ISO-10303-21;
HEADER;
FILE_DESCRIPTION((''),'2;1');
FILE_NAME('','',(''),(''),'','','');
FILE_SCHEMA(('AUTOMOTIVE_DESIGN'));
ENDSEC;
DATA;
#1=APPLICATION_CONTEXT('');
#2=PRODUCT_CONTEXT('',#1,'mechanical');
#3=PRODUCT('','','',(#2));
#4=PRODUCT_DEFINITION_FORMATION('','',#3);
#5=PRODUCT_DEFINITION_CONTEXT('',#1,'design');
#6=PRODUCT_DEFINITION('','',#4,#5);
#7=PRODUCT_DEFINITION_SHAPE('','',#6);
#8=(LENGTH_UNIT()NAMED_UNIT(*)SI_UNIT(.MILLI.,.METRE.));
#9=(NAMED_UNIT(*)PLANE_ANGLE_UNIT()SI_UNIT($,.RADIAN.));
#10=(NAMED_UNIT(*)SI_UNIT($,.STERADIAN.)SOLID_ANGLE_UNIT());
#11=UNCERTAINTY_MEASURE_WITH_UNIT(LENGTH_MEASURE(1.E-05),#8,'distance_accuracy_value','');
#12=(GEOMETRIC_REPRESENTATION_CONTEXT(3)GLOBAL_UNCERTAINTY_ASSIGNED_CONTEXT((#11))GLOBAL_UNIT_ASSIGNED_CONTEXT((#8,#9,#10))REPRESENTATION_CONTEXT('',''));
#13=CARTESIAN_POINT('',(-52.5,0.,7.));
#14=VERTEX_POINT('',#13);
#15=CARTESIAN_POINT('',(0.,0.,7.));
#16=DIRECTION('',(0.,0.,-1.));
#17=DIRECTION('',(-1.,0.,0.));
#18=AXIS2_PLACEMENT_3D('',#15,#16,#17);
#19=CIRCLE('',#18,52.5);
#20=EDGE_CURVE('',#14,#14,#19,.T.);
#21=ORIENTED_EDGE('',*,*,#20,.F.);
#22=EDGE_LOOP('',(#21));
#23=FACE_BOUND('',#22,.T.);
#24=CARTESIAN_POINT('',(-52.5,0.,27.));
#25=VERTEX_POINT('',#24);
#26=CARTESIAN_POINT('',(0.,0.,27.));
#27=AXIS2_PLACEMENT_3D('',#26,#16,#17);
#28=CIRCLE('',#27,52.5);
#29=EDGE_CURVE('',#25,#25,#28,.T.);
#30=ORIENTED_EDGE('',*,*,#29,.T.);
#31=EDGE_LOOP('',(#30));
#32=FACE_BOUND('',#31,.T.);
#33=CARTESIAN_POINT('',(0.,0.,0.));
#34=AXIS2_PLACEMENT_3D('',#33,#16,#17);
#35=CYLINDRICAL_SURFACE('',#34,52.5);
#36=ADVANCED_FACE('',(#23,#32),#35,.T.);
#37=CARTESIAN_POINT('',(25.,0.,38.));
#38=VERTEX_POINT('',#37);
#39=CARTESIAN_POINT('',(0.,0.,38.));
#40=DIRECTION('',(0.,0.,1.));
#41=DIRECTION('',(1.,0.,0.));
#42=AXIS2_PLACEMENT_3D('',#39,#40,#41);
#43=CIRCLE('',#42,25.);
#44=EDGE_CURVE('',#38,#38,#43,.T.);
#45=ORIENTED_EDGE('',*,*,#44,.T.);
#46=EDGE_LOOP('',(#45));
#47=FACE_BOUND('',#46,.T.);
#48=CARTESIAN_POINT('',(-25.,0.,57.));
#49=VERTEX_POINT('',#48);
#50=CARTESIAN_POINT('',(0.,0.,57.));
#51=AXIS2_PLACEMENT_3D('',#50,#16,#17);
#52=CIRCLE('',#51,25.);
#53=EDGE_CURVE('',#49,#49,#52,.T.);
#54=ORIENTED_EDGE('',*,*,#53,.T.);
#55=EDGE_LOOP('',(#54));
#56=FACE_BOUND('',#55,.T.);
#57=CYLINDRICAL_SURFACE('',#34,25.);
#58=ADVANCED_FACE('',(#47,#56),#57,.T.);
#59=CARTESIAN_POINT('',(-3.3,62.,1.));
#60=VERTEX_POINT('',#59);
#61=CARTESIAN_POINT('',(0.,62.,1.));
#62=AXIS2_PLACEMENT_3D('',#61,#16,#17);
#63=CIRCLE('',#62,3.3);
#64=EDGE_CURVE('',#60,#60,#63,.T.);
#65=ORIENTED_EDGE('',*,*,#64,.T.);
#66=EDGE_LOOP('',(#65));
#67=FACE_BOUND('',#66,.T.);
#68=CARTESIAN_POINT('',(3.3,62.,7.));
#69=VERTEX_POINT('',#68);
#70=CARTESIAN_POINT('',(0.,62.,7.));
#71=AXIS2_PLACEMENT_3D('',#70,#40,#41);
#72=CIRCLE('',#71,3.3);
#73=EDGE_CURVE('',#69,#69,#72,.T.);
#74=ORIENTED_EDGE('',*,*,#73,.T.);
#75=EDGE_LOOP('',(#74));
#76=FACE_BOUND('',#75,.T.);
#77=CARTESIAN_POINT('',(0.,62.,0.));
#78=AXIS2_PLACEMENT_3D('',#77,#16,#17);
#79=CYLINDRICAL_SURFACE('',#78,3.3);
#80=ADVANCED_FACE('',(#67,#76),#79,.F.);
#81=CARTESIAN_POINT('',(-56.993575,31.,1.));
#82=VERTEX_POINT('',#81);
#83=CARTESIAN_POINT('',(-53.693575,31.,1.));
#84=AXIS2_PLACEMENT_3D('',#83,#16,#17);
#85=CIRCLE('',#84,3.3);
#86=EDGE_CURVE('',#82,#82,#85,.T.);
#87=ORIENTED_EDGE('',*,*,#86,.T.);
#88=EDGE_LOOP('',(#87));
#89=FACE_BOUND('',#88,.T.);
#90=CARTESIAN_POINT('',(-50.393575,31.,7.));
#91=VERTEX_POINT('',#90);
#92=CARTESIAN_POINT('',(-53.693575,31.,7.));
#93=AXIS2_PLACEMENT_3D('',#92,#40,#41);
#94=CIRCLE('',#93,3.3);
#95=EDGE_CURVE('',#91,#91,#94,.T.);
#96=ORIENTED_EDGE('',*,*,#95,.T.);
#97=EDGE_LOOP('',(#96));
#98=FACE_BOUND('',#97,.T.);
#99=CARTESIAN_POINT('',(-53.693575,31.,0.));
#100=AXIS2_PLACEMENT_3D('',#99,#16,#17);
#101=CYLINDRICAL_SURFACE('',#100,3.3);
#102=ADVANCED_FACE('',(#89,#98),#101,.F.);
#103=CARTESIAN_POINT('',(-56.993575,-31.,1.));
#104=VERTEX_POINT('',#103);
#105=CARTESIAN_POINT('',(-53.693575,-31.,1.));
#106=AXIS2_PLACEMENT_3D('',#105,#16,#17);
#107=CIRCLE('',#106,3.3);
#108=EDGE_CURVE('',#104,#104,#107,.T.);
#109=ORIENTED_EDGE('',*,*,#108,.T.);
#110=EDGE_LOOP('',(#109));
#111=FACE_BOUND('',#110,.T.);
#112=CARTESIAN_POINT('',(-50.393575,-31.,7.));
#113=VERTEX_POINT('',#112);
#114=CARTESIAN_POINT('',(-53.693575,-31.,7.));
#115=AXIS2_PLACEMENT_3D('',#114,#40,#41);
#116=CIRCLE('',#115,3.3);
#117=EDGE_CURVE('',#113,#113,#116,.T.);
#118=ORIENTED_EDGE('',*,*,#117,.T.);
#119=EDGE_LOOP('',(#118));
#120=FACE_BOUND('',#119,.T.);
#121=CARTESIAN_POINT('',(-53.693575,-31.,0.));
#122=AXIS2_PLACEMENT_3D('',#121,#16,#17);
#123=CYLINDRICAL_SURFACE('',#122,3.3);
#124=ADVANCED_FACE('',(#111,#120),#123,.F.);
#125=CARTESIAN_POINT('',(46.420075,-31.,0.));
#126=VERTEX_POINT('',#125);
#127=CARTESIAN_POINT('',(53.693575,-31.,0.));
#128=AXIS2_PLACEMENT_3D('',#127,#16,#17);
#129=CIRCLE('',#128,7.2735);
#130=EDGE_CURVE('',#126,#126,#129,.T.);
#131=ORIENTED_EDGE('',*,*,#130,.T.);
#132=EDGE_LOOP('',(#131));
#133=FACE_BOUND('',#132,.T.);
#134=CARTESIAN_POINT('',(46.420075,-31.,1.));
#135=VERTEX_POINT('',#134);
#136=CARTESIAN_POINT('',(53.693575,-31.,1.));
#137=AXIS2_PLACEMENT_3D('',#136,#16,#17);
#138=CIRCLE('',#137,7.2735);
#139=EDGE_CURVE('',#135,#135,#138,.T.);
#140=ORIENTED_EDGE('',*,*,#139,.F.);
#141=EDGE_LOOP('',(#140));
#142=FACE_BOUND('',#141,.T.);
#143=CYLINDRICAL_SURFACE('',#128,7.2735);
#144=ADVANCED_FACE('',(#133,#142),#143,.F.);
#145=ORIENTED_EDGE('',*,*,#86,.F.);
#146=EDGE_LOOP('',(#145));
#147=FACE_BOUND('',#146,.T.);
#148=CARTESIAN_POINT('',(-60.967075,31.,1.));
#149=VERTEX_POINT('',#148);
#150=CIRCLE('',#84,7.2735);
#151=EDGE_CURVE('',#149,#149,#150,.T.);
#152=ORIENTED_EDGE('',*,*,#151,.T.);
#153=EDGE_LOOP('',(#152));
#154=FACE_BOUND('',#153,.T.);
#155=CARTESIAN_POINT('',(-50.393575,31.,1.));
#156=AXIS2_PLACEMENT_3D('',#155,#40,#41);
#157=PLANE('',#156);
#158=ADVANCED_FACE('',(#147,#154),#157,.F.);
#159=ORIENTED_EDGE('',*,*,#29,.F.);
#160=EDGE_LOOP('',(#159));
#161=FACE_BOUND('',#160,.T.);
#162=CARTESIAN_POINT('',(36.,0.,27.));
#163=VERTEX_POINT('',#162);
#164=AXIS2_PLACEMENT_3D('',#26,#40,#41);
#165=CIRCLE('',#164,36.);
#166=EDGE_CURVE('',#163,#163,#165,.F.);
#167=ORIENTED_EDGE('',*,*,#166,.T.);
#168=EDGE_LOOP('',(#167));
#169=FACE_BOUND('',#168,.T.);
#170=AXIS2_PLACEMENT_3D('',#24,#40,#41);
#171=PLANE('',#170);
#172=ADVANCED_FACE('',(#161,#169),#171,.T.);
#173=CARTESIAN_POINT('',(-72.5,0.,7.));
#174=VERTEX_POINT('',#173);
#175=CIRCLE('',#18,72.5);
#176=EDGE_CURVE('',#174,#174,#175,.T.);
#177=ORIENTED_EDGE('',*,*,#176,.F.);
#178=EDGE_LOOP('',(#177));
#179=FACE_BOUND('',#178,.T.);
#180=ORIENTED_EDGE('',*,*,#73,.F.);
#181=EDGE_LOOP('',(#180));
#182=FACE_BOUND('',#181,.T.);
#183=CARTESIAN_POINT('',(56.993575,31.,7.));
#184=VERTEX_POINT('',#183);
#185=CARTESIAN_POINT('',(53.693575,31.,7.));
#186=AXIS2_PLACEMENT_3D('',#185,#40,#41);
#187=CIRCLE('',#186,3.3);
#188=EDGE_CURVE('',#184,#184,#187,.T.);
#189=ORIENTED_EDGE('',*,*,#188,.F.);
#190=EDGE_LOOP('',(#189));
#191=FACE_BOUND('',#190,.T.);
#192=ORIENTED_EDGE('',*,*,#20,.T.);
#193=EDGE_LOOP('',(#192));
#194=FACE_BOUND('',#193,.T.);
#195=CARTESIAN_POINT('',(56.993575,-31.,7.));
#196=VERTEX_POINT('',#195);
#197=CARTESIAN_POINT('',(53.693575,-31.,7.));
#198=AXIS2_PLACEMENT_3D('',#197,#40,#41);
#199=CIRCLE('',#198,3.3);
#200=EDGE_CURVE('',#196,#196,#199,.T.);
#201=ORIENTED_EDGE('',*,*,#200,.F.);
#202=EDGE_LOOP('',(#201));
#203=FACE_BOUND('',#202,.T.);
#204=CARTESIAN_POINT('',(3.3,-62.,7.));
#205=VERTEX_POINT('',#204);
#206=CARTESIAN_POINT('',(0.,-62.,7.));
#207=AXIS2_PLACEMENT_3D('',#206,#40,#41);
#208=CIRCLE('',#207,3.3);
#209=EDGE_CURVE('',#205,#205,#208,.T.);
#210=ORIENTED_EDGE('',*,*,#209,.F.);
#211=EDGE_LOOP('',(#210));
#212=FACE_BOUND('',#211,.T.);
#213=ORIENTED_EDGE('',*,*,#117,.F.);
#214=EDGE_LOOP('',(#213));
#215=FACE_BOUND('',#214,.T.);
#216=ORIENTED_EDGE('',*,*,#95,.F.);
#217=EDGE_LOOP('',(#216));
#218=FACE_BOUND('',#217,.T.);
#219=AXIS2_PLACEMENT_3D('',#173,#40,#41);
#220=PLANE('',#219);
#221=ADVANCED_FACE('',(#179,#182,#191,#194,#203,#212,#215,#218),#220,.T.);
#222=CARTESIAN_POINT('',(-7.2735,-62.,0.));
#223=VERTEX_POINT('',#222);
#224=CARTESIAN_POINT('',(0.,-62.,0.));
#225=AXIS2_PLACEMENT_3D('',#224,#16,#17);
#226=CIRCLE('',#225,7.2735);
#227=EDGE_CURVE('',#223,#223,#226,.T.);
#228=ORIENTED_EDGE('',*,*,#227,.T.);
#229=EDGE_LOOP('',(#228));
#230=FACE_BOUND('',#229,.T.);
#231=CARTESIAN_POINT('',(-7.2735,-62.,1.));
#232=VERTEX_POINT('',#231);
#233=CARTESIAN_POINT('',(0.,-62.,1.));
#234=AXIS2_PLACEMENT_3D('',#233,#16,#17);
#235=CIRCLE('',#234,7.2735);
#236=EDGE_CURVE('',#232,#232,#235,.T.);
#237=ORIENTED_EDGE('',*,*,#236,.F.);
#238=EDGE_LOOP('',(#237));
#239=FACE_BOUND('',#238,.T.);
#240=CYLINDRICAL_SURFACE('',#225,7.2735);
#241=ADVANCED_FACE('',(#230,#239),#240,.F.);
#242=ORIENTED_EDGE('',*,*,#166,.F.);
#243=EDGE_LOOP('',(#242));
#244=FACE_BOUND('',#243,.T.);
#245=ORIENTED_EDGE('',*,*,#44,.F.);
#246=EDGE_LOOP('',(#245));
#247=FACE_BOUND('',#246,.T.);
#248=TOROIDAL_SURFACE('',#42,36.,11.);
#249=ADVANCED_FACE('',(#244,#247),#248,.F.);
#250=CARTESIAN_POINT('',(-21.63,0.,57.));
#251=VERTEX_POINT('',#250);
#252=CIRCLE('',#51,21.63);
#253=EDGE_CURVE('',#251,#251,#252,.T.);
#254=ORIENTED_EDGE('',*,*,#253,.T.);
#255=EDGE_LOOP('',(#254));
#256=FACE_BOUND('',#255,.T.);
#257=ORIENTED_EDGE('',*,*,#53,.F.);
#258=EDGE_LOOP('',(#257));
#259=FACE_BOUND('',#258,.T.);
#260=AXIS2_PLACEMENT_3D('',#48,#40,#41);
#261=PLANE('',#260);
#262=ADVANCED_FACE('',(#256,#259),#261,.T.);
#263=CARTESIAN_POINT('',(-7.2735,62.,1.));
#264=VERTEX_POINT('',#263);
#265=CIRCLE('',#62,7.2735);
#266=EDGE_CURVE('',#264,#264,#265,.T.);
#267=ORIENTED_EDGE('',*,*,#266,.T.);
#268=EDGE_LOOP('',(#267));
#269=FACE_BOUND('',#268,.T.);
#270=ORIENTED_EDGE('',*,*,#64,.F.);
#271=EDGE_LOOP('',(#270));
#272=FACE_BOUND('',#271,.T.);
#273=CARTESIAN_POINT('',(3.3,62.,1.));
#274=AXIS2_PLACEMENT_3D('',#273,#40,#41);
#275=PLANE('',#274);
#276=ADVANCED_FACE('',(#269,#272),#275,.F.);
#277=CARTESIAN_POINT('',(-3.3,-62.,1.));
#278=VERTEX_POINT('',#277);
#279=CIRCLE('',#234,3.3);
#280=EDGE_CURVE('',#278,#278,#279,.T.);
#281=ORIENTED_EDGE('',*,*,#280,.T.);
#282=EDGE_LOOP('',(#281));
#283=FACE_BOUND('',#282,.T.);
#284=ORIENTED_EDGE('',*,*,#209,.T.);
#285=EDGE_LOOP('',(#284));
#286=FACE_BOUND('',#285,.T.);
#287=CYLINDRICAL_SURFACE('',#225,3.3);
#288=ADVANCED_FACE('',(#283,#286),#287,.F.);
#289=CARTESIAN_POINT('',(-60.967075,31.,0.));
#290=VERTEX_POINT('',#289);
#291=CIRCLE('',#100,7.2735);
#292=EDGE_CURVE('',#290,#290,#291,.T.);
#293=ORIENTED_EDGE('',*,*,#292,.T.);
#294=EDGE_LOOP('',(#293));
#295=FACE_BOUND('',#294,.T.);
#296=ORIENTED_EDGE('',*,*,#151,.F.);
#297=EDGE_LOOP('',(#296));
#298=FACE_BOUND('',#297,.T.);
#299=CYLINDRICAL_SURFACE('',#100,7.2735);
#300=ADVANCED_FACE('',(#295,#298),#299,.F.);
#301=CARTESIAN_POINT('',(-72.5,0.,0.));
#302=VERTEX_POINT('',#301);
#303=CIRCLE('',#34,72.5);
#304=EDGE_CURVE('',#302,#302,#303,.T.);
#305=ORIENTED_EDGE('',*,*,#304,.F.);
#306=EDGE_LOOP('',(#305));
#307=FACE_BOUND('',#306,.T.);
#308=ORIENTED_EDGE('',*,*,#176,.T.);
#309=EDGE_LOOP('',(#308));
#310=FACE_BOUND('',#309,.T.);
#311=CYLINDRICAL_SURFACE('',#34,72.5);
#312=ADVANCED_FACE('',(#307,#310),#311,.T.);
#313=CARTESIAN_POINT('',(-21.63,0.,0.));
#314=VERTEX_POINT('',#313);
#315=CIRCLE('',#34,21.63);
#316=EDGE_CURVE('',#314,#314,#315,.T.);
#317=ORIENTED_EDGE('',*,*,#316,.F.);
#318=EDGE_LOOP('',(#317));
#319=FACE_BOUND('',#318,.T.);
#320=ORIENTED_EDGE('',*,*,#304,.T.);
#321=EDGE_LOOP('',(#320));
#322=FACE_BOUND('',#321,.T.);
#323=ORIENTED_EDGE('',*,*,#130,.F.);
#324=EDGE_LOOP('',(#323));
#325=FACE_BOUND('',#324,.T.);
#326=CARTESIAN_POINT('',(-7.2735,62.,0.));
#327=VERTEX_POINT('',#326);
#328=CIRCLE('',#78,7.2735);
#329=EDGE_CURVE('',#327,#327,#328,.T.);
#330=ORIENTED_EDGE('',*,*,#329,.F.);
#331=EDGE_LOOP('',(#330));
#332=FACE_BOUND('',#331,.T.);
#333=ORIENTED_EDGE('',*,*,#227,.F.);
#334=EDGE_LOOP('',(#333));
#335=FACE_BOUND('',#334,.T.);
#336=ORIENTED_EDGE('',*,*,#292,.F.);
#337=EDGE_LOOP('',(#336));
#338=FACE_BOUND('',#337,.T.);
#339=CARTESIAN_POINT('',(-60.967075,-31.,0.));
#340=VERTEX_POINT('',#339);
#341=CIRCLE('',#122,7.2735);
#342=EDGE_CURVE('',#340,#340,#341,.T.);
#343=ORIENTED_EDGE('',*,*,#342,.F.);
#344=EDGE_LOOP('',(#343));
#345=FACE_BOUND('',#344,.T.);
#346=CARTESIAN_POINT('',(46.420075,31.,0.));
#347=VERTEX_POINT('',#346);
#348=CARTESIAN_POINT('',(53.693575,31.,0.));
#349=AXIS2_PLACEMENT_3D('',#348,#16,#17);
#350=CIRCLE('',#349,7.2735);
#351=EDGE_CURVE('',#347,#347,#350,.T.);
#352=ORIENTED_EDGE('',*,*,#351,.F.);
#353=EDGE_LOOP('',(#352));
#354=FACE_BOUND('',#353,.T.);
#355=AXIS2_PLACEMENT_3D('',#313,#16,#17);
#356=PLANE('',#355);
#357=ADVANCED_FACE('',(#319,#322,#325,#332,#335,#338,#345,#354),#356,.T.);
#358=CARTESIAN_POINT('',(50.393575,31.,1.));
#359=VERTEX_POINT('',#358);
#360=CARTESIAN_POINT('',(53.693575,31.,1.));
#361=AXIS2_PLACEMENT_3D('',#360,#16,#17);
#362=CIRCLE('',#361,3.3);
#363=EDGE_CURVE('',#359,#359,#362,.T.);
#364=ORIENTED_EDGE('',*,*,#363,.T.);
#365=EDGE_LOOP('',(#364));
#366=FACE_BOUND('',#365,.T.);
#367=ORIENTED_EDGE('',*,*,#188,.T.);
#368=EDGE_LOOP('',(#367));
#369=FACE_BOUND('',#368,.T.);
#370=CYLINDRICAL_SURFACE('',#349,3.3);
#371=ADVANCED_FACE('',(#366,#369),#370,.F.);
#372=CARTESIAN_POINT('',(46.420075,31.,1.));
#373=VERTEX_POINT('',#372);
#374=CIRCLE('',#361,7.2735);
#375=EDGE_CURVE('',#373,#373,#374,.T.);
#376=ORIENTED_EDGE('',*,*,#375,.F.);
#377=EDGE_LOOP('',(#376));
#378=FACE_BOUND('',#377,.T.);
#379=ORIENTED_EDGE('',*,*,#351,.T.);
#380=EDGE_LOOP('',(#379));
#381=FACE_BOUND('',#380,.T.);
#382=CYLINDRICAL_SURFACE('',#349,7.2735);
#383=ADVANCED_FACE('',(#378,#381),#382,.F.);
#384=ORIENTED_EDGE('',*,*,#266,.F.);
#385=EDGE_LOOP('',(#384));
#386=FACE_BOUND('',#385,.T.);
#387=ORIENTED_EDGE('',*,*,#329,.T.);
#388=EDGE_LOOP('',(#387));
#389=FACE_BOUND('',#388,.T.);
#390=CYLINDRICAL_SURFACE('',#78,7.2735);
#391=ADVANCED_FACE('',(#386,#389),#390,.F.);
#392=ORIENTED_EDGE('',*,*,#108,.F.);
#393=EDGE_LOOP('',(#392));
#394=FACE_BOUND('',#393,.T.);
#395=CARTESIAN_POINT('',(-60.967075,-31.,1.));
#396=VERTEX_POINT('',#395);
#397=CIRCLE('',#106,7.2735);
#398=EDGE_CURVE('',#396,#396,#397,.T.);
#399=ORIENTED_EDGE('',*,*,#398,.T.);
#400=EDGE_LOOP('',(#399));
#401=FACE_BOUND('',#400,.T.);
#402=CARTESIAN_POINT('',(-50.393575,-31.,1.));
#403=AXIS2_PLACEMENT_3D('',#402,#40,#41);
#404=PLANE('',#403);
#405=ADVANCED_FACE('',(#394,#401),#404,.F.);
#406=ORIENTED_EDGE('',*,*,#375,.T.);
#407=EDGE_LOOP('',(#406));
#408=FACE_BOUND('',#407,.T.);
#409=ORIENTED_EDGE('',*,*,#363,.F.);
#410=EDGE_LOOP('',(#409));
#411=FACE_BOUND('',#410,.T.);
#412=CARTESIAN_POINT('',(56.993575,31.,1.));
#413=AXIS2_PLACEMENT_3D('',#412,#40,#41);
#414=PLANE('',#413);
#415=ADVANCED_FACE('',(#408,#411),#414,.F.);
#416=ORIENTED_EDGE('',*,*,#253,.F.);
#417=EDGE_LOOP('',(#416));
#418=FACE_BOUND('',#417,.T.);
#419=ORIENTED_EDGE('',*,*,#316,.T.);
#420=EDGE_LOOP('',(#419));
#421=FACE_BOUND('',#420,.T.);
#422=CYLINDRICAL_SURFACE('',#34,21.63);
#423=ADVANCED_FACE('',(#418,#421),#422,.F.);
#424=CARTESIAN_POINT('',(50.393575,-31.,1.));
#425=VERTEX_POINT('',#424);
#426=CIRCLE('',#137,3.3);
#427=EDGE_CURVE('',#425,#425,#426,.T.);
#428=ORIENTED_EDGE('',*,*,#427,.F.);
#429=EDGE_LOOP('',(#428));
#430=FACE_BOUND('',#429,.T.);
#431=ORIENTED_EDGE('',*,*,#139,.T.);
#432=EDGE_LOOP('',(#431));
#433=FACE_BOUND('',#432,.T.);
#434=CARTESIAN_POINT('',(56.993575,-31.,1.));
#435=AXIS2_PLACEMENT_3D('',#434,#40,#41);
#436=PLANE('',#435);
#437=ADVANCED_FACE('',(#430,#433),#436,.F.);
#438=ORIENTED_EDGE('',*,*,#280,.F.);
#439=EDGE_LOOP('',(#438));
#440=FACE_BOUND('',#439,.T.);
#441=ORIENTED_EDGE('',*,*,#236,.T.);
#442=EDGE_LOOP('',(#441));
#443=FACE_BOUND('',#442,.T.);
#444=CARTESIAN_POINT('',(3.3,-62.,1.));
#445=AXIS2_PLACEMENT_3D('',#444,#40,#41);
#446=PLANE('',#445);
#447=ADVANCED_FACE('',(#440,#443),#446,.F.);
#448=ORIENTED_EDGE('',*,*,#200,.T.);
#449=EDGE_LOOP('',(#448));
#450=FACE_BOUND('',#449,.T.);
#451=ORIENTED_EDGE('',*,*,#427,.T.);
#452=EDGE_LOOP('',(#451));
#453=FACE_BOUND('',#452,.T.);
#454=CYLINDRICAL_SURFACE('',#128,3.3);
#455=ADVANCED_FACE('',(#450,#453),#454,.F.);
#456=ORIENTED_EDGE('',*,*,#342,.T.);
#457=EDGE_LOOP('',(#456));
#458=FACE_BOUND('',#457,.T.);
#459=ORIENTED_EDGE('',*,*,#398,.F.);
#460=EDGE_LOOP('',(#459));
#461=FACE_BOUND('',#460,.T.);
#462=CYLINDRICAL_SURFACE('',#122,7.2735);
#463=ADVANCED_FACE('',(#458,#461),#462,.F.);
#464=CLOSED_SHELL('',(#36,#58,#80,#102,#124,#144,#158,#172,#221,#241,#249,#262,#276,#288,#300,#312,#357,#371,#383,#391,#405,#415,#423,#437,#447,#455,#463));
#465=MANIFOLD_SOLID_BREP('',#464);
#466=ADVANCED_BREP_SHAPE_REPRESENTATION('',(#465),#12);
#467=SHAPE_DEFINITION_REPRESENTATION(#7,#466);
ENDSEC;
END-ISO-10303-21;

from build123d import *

# Parameters (mm, degrees)
FILLET1_R                               = 11
CBORE_FOR_M6_HEX_HEAD_BOLT1_D           = 6.6
CBORE_FOR_M6_HEX_HEAD_BOLT1_CBORE_D     = 14.547
CBORE_FOR_M6_HEX_HEAD_BOLT1_CBORE_DEPTH = 1
CIRPATTERN1_COUNT                       = 6


with BuildPart() as part:
    # Sketch1 → Revolve1 (revolve)
    with BuildSketch(Plane(origin=(0, 0, 0), x_dir=(1, 0, 0), z_dir=(0, 1, 0))):
        Polygon((-21.63, 0), (-72.5, 0), (-72.5, -7), (-52.5, -7), (-52.5, -27), (-25, -27), (-25, -57), (-21.63, -57), align=None)
    revolve(axis=Axis((0, 0, 0), (0, 0, 1)))

    # Fillet1
    fillet1_edges = [part.edges().sort_by_distance(p)[0] for p in [
        (25, 0, 27),
    ]]
    fillet(fillet1_edges, radius=FILLET1_R)

    # CBORE for M6 Hex Head Bolt1 (through all)
    with Locations(Plane(origin=(0, 0, 0), x_dir=(-1, 0, 0), z_dir=(0, 0, -1))):
        with Locations((0, 62)):
            cbore_for_m6_hex_head_bolt1 = CounterBoreHole(CBORE_FOR_M6_HEX_HEAD_BOLT1_D / 2, CBORE_FOR_M6_HEX_HEAD_BOLT1_CBORE_D / 2, CBORE_FOR_M6_HEX_HEAD_BOLT1_CBORE_DEPTH)

    # CirPattern1: CBORE for M6 Hex Head Bolt1 ×6 about axis
    cirpattern1_axis = Axis((0, 0, 0), (0, 0, 1))
    for i in range(1, CIRPATTERN1_COUNT):
        add(cbore_for_m6_hex_head_bolt1.rotate(cirpattern1_axis, i * 360 / CIRPATTERN1_COUNT), mode=Mode.SUBTRACT)


solid = part.part
